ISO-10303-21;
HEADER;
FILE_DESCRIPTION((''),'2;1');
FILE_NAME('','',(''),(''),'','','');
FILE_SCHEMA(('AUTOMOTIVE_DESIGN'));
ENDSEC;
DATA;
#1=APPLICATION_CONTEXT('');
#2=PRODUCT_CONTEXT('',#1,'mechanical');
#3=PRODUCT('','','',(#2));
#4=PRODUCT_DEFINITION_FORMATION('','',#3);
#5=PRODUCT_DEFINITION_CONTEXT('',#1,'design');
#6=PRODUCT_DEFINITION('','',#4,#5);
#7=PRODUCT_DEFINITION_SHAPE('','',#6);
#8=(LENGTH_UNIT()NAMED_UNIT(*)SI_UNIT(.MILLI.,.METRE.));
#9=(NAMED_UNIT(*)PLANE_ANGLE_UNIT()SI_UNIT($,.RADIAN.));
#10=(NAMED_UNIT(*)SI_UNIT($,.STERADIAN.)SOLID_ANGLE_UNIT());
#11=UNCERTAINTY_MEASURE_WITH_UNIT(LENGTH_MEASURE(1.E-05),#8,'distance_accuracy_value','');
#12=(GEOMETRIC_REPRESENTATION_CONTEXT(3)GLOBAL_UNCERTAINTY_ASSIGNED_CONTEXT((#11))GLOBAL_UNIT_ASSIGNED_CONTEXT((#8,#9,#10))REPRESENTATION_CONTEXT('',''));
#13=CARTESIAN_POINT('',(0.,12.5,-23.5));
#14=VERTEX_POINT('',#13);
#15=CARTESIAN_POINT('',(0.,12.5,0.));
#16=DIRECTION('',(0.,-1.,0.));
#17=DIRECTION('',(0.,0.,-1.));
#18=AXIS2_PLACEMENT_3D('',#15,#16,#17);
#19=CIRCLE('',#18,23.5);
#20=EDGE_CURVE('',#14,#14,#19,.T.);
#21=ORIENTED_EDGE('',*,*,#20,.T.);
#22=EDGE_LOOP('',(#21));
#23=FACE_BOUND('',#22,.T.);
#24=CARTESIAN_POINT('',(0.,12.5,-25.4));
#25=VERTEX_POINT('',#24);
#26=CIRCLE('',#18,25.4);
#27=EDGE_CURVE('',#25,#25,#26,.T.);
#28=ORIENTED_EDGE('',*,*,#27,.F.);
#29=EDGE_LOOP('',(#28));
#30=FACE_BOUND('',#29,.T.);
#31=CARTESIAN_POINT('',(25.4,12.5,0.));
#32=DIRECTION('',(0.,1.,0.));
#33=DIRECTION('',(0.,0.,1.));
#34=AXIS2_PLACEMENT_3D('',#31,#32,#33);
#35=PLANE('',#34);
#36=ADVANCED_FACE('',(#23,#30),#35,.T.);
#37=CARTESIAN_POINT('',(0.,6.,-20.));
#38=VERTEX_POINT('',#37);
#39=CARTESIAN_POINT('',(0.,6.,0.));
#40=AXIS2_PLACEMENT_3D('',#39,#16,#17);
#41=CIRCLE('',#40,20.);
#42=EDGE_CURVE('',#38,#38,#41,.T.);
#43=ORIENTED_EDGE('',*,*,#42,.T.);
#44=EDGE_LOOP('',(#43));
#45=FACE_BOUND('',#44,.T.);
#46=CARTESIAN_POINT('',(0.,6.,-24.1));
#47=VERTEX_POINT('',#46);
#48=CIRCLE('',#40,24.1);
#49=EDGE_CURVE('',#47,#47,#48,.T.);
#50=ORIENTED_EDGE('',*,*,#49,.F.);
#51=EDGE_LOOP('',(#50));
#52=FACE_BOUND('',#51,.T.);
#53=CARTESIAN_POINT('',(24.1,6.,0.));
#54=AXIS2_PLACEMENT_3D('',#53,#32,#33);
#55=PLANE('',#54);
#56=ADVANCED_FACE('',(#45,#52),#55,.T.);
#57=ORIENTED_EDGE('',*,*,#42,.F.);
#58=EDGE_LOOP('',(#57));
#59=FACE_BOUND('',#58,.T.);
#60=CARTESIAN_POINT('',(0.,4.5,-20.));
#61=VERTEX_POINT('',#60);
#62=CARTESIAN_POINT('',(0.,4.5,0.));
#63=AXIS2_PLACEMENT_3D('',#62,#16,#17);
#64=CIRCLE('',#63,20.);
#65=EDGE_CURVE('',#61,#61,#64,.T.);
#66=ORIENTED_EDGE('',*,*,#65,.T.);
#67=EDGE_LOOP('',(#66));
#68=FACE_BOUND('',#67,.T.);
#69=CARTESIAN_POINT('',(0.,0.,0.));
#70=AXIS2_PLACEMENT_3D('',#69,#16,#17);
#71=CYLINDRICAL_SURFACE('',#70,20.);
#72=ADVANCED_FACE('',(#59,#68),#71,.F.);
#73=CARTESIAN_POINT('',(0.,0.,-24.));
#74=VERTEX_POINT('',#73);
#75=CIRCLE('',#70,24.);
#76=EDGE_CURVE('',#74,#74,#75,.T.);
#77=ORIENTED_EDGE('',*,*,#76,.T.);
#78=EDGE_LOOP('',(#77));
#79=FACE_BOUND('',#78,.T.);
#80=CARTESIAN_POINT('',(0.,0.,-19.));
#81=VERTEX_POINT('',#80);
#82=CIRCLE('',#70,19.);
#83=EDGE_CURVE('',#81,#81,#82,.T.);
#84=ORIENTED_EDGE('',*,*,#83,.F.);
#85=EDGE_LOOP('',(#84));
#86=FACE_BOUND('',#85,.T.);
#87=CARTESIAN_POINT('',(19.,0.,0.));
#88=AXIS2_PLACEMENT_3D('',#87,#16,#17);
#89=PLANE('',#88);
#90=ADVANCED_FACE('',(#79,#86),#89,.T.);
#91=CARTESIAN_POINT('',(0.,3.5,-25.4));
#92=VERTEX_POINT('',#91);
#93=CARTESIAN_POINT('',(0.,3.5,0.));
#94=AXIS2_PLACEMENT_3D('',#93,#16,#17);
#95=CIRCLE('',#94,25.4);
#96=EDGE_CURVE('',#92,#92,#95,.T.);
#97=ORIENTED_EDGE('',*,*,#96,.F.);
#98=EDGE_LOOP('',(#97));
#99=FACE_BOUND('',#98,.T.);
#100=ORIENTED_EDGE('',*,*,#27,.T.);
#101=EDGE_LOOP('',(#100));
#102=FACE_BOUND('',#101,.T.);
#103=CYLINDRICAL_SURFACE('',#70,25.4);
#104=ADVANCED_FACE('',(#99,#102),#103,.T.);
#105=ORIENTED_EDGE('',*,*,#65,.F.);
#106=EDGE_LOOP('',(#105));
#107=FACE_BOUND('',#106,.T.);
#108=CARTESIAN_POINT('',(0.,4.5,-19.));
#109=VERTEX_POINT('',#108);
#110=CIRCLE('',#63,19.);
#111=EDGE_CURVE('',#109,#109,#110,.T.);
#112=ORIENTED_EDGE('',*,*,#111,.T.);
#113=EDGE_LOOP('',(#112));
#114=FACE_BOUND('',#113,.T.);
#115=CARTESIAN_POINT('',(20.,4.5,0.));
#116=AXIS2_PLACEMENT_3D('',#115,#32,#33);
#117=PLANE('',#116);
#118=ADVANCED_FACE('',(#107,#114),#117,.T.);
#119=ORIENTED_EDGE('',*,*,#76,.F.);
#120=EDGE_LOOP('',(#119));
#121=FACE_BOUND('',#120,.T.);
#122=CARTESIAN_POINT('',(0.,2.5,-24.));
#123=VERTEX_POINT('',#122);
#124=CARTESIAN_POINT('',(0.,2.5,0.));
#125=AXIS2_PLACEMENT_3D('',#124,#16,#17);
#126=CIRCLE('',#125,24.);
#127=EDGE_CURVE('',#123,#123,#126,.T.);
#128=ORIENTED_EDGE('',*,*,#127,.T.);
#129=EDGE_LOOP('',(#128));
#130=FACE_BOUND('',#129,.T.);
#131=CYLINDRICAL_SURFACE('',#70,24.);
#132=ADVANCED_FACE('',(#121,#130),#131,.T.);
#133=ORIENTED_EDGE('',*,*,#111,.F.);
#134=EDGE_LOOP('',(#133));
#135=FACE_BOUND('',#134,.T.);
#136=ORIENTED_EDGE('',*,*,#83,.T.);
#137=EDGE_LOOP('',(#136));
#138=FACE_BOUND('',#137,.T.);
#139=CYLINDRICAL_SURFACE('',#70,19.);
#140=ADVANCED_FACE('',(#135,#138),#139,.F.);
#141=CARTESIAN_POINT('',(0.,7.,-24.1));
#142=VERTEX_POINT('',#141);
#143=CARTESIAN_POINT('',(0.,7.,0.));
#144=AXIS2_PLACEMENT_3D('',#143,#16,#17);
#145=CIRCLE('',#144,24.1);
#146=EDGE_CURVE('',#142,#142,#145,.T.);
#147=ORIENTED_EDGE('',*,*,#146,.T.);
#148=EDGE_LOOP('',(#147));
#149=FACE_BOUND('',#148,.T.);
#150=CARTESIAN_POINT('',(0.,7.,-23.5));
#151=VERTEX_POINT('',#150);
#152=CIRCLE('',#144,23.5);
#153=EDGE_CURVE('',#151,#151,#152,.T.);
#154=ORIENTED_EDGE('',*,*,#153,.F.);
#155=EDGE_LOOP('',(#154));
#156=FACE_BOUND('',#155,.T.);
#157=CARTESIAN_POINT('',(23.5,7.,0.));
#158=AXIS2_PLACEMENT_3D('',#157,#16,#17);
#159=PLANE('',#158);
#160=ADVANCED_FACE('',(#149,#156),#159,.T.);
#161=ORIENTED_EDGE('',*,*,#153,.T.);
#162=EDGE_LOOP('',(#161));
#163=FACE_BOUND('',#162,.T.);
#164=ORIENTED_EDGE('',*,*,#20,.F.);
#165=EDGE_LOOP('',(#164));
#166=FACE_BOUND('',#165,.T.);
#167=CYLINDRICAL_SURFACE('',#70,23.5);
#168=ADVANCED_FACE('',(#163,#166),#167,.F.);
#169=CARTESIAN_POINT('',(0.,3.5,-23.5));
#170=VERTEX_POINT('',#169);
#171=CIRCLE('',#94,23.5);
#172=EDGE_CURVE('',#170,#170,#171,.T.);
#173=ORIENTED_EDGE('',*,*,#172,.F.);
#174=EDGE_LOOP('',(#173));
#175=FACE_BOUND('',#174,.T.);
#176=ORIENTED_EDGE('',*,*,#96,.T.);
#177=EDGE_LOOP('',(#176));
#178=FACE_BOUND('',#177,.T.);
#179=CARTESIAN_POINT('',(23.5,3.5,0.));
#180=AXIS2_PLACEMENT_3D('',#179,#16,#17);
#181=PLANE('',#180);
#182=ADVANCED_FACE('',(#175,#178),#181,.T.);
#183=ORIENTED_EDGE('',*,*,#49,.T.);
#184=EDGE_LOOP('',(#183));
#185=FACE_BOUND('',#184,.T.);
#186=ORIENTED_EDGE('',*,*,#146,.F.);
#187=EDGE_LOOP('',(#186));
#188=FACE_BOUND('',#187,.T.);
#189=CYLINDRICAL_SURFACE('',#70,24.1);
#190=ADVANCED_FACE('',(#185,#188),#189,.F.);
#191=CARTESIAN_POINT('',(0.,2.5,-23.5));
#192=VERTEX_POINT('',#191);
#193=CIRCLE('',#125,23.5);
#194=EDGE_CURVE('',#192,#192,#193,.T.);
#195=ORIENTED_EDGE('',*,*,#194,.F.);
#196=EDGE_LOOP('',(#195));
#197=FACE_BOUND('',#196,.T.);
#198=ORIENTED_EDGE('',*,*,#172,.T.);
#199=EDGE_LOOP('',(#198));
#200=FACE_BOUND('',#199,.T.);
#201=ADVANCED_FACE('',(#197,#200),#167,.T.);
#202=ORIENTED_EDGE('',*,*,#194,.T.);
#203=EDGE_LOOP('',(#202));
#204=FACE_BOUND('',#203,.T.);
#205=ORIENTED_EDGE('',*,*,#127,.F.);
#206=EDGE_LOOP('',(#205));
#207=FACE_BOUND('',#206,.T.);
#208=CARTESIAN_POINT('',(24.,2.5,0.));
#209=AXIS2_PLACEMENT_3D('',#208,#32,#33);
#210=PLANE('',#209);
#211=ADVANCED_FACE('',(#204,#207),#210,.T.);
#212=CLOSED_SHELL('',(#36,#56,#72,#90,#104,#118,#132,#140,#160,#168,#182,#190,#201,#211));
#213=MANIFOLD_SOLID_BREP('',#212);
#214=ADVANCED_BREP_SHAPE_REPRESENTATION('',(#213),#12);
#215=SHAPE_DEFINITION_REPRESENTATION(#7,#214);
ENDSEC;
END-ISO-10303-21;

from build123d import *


with BuildPart() as part:
    # 草图1 → 旋转1 (revolve)
    with BuildSketch(Plane.XY, mode=Mode.PRIVATE) as revolve_1_sk:
        Polygon((19, 0), (24, 0), (24, 2.5), (23.5, 2.5), (23.5, 3.5), (25.4, 3.5), (25.4, 12.5), (23.5, 12.5), (23.5, 7), (24.1, 7), (24.1, 6), (20, 6), (20, 4.5), (19, 4.5), align=None)
    revolve(revolve_1_sk.sketch.rotate(Axis((0, 0, 0), (0, 1, 0)), 90), axis=Axis((0, 0, 0), (0, 1, 0)))  # turned: the seam where the file's is


solid = part.part
